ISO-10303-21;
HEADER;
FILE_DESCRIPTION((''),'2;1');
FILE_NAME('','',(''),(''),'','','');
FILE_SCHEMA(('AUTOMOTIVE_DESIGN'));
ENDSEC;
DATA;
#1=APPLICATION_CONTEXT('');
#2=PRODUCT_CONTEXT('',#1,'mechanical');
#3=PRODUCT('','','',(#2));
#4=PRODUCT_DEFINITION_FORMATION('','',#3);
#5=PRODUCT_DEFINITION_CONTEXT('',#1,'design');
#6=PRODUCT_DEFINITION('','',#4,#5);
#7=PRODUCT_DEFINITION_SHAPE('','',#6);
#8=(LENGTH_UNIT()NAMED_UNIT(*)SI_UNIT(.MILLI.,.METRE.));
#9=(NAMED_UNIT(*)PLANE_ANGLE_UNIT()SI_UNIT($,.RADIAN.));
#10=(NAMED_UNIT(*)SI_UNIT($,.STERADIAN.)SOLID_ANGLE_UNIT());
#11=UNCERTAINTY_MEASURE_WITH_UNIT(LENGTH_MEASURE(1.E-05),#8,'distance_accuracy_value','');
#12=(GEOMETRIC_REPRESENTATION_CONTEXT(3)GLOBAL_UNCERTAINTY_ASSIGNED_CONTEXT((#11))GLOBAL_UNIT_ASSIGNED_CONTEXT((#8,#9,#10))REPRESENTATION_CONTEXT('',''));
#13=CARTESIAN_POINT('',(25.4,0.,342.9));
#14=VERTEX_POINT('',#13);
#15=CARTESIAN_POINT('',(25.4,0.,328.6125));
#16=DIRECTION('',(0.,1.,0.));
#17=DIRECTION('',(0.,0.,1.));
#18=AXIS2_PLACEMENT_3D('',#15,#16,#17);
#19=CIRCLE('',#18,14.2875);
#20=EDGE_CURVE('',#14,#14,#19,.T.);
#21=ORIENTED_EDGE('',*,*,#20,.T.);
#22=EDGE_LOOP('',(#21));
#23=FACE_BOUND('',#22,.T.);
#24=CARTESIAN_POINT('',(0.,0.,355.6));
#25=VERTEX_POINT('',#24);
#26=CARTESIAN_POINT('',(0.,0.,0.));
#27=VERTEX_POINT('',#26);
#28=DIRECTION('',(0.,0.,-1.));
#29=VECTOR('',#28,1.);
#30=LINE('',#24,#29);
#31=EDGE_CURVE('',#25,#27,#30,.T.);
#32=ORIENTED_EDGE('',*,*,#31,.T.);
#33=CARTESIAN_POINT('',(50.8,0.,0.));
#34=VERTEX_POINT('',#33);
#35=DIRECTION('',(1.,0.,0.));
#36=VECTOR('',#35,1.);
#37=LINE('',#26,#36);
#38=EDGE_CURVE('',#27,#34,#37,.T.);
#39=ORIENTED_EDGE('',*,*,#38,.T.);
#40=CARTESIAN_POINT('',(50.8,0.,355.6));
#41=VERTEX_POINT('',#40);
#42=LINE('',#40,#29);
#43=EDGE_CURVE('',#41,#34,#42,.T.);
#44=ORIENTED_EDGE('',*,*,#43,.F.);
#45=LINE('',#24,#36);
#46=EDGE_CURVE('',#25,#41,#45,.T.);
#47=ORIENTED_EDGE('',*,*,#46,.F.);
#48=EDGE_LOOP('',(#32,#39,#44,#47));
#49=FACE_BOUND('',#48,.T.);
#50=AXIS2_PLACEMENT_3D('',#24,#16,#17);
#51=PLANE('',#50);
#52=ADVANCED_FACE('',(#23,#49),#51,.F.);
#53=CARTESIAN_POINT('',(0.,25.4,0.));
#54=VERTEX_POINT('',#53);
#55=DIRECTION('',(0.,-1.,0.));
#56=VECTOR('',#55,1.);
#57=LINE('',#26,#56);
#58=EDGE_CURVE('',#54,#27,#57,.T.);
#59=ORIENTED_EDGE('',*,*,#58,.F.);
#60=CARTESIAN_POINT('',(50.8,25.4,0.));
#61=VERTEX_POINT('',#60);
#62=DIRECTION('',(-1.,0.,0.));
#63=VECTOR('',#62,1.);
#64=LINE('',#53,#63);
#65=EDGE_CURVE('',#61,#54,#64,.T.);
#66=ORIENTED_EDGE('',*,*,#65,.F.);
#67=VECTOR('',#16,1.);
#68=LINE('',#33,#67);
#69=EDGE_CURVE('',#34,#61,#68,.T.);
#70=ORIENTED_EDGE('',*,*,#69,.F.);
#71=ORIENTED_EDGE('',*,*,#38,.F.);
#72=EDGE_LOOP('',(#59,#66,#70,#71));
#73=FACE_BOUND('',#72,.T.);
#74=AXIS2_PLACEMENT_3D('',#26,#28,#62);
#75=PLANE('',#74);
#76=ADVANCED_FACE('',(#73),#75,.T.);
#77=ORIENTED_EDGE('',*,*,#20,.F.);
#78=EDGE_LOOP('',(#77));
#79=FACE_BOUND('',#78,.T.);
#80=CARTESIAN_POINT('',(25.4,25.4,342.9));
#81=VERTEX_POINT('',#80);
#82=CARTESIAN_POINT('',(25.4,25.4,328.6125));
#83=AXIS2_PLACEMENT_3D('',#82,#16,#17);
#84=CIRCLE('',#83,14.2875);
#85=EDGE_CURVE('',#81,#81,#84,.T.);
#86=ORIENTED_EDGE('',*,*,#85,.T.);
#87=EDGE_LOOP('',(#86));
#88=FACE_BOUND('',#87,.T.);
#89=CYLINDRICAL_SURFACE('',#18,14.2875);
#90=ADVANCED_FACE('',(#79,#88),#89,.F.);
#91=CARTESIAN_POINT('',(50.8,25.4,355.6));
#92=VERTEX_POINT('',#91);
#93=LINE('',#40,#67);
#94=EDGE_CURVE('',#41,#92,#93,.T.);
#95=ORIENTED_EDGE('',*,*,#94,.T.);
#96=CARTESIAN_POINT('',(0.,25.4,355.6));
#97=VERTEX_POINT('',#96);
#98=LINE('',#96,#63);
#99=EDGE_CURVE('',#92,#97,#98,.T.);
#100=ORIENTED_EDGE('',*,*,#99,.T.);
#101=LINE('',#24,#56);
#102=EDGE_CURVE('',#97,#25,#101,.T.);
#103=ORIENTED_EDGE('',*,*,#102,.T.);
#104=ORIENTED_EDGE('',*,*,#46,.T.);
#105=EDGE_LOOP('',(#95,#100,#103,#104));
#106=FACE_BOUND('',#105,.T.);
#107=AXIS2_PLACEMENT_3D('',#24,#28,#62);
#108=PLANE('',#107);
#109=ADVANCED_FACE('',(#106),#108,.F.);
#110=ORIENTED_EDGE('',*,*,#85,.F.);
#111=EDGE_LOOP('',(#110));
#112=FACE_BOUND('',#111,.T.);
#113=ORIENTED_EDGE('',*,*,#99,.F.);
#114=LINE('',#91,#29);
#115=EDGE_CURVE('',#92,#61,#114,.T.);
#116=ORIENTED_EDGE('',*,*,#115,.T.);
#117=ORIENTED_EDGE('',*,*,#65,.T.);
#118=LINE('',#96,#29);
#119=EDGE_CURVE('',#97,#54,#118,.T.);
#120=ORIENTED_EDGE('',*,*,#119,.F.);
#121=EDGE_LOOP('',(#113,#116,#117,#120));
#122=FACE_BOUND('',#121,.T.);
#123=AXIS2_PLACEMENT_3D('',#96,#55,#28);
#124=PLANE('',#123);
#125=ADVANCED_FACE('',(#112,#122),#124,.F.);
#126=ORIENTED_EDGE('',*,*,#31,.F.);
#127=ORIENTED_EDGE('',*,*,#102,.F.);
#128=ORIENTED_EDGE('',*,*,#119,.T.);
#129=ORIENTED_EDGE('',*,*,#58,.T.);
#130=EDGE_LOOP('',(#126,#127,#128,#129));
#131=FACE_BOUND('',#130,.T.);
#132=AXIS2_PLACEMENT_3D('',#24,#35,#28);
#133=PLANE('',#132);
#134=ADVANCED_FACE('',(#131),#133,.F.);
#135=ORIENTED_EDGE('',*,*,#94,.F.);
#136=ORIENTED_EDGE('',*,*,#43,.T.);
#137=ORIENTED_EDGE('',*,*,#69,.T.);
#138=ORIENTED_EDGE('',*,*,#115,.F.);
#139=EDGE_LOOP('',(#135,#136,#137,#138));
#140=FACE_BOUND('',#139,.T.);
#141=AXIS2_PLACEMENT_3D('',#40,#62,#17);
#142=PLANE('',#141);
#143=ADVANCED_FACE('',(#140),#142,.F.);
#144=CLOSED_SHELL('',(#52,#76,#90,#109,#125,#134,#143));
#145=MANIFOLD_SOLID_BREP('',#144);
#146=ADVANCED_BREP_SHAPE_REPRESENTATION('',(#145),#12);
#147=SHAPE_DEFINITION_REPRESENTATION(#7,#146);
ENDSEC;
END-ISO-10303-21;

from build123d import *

# Parameters (mm, degrees)
SKETCH1_W           = 50.8
SKETCH1_H           = 25.4
BOSS_EXTRUDE1_DEPTH = 355.6
SKETCH2_R           = 14.2875
CUT_EXTRUDE1_DEPTH  = 26.4


with BuildPart() as part:
    # Sketch1 → Boss-Extrude1 (new body)
    with BuildSketch(Plane.XY):
        with Locations((25.4, 12.7)):
            Rectangle(SKETCH1_W, SKETCH1_H)
    extrude(amount=BOSS_EXTRUDE1_DEPTH)

    # Sketch2 → Cut-Extrude1 (cut, through all)
    with BuildSketch(Plane(origin=(0, 25.4, 0), x_dir=(1, 0, 0), z_dir=(0, 1, 0))):
        with Locations((25.4, -328.6125)):
            Circle(SKETCH2_R)
    extrude(amount=-CUT_EXTRUDE1_DEPTH, mode=Mode.SUBTRACT)


solid = part.part
